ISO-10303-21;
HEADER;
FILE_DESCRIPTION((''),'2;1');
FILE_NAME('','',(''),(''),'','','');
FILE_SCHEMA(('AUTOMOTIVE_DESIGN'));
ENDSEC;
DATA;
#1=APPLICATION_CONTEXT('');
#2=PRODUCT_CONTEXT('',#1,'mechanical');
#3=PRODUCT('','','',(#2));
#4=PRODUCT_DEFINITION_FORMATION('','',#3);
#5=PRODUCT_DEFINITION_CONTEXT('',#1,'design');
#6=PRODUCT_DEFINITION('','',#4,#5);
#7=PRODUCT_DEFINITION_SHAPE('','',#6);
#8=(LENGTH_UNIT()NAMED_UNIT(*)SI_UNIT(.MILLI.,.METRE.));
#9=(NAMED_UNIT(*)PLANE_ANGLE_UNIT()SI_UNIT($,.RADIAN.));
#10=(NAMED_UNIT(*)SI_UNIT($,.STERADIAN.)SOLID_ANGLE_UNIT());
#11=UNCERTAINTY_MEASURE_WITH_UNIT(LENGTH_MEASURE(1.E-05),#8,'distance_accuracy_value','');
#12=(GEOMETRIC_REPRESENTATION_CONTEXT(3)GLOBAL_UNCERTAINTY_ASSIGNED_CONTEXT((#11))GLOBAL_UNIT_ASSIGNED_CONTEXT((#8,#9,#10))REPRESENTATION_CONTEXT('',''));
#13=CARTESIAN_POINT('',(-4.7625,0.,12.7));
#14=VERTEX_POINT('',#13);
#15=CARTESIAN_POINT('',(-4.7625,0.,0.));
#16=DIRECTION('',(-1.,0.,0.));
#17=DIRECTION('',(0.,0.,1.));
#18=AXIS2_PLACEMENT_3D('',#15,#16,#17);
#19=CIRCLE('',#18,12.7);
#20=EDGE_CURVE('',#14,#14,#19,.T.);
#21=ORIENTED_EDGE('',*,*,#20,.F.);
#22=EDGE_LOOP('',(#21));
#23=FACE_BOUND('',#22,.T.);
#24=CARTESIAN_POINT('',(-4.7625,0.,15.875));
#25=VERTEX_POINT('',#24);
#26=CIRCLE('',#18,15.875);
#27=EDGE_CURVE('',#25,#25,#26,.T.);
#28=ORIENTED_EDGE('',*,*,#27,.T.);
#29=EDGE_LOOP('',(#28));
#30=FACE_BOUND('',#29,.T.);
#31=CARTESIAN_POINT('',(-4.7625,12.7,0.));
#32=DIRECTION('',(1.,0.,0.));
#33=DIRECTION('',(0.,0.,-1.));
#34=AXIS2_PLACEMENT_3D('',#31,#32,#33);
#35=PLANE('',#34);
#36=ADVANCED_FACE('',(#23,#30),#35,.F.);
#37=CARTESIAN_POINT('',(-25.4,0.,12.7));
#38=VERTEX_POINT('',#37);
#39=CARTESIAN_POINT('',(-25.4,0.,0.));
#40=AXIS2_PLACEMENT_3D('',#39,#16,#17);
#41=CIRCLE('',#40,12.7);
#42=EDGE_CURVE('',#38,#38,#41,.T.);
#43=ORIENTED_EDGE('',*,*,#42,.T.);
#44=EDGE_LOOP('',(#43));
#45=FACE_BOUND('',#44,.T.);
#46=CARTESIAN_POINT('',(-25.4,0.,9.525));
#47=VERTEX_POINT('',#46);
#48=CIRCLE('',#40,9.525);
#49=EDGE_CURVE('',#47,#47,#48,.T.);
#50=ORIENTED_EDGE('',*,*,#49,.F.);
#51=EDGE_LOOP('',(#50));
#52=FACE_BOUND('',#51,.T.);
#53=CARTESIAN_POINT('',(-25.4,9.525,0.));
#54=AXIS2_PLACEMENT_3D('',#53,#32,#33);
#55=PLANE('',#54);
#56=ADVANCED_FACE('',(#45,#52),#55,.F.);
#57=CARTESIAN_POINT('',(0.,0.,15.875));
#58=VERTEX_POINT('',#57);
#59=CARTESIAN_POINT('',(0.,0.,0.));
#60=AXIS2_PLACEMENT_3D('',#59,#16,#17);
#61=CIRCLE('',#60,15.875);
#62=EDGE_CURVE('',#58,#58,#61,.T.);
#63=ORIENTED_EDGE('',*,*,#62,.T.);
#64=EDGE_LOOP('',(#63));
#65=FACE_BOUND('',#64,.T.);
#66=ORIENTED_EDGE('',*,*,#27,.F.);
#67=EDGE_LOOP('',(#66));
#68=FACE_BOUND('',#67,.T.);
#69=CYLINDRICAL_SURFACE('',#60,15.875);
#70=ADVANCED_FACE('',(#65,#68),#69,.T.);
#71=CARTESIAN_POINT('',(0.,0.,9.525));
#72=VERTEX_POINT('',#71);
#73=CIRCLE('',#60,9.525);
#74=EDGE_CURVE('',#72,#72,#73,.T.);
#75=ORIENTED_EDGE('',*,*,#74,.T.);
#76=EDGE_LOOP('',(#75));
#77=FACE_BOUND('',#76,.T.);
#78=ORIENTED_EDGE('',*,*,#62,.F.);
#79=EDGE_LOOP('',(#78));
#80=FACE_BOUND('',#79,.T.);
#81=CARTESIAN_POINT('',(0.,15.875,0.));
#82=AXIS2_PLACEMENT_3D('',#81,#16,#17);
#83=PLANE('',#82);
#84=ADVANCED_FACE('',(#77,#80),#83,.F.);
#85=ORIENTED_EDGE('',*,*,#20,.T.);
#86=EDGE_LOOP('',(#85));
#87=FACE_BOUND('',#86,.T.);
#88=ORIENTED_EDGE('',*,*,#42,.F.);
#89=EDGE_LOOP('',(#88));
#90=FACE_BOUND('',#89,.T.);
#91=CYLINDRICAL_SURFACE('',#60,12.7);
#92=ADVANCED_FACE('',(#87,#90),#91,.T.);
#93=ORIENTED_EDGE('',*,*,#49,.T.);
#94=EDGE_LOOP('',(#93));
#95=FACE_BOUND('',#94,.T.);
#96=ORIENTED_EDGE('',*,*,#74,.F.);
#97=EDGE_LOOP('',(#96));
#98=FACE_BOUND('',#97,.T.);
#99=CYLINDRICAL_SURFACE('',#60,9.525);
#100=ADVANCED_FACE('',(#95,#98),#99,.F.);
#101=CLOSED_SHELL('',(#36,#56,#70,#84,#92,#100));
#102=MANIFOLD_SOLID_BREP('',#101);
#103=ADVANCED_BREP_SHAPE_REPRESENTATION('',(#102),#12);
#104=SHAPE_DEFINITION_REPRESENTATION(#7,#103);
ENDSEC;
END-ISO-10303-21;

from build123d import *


with BuildPart() as part:
    # Sketch1 → Revolve1 (revolve)
    with BuildSketch(Plane.XY, mode=Mode.PRIVATE) as revolve1_sk:
        Polygon((-25.4, 12.7), (-4.7625, 12.7), (-4.7625, 15.875), (0, 15.875), (0, 9.525), (-25.4, 9.525), align=None)
    revolve(revolve1_sk.sketch.rotate(Axis((0, 0, 0), (1, 0, 0)), 90), axis=Axis((0, 0, 0), (1, 0, 0)))


solid = part.part
